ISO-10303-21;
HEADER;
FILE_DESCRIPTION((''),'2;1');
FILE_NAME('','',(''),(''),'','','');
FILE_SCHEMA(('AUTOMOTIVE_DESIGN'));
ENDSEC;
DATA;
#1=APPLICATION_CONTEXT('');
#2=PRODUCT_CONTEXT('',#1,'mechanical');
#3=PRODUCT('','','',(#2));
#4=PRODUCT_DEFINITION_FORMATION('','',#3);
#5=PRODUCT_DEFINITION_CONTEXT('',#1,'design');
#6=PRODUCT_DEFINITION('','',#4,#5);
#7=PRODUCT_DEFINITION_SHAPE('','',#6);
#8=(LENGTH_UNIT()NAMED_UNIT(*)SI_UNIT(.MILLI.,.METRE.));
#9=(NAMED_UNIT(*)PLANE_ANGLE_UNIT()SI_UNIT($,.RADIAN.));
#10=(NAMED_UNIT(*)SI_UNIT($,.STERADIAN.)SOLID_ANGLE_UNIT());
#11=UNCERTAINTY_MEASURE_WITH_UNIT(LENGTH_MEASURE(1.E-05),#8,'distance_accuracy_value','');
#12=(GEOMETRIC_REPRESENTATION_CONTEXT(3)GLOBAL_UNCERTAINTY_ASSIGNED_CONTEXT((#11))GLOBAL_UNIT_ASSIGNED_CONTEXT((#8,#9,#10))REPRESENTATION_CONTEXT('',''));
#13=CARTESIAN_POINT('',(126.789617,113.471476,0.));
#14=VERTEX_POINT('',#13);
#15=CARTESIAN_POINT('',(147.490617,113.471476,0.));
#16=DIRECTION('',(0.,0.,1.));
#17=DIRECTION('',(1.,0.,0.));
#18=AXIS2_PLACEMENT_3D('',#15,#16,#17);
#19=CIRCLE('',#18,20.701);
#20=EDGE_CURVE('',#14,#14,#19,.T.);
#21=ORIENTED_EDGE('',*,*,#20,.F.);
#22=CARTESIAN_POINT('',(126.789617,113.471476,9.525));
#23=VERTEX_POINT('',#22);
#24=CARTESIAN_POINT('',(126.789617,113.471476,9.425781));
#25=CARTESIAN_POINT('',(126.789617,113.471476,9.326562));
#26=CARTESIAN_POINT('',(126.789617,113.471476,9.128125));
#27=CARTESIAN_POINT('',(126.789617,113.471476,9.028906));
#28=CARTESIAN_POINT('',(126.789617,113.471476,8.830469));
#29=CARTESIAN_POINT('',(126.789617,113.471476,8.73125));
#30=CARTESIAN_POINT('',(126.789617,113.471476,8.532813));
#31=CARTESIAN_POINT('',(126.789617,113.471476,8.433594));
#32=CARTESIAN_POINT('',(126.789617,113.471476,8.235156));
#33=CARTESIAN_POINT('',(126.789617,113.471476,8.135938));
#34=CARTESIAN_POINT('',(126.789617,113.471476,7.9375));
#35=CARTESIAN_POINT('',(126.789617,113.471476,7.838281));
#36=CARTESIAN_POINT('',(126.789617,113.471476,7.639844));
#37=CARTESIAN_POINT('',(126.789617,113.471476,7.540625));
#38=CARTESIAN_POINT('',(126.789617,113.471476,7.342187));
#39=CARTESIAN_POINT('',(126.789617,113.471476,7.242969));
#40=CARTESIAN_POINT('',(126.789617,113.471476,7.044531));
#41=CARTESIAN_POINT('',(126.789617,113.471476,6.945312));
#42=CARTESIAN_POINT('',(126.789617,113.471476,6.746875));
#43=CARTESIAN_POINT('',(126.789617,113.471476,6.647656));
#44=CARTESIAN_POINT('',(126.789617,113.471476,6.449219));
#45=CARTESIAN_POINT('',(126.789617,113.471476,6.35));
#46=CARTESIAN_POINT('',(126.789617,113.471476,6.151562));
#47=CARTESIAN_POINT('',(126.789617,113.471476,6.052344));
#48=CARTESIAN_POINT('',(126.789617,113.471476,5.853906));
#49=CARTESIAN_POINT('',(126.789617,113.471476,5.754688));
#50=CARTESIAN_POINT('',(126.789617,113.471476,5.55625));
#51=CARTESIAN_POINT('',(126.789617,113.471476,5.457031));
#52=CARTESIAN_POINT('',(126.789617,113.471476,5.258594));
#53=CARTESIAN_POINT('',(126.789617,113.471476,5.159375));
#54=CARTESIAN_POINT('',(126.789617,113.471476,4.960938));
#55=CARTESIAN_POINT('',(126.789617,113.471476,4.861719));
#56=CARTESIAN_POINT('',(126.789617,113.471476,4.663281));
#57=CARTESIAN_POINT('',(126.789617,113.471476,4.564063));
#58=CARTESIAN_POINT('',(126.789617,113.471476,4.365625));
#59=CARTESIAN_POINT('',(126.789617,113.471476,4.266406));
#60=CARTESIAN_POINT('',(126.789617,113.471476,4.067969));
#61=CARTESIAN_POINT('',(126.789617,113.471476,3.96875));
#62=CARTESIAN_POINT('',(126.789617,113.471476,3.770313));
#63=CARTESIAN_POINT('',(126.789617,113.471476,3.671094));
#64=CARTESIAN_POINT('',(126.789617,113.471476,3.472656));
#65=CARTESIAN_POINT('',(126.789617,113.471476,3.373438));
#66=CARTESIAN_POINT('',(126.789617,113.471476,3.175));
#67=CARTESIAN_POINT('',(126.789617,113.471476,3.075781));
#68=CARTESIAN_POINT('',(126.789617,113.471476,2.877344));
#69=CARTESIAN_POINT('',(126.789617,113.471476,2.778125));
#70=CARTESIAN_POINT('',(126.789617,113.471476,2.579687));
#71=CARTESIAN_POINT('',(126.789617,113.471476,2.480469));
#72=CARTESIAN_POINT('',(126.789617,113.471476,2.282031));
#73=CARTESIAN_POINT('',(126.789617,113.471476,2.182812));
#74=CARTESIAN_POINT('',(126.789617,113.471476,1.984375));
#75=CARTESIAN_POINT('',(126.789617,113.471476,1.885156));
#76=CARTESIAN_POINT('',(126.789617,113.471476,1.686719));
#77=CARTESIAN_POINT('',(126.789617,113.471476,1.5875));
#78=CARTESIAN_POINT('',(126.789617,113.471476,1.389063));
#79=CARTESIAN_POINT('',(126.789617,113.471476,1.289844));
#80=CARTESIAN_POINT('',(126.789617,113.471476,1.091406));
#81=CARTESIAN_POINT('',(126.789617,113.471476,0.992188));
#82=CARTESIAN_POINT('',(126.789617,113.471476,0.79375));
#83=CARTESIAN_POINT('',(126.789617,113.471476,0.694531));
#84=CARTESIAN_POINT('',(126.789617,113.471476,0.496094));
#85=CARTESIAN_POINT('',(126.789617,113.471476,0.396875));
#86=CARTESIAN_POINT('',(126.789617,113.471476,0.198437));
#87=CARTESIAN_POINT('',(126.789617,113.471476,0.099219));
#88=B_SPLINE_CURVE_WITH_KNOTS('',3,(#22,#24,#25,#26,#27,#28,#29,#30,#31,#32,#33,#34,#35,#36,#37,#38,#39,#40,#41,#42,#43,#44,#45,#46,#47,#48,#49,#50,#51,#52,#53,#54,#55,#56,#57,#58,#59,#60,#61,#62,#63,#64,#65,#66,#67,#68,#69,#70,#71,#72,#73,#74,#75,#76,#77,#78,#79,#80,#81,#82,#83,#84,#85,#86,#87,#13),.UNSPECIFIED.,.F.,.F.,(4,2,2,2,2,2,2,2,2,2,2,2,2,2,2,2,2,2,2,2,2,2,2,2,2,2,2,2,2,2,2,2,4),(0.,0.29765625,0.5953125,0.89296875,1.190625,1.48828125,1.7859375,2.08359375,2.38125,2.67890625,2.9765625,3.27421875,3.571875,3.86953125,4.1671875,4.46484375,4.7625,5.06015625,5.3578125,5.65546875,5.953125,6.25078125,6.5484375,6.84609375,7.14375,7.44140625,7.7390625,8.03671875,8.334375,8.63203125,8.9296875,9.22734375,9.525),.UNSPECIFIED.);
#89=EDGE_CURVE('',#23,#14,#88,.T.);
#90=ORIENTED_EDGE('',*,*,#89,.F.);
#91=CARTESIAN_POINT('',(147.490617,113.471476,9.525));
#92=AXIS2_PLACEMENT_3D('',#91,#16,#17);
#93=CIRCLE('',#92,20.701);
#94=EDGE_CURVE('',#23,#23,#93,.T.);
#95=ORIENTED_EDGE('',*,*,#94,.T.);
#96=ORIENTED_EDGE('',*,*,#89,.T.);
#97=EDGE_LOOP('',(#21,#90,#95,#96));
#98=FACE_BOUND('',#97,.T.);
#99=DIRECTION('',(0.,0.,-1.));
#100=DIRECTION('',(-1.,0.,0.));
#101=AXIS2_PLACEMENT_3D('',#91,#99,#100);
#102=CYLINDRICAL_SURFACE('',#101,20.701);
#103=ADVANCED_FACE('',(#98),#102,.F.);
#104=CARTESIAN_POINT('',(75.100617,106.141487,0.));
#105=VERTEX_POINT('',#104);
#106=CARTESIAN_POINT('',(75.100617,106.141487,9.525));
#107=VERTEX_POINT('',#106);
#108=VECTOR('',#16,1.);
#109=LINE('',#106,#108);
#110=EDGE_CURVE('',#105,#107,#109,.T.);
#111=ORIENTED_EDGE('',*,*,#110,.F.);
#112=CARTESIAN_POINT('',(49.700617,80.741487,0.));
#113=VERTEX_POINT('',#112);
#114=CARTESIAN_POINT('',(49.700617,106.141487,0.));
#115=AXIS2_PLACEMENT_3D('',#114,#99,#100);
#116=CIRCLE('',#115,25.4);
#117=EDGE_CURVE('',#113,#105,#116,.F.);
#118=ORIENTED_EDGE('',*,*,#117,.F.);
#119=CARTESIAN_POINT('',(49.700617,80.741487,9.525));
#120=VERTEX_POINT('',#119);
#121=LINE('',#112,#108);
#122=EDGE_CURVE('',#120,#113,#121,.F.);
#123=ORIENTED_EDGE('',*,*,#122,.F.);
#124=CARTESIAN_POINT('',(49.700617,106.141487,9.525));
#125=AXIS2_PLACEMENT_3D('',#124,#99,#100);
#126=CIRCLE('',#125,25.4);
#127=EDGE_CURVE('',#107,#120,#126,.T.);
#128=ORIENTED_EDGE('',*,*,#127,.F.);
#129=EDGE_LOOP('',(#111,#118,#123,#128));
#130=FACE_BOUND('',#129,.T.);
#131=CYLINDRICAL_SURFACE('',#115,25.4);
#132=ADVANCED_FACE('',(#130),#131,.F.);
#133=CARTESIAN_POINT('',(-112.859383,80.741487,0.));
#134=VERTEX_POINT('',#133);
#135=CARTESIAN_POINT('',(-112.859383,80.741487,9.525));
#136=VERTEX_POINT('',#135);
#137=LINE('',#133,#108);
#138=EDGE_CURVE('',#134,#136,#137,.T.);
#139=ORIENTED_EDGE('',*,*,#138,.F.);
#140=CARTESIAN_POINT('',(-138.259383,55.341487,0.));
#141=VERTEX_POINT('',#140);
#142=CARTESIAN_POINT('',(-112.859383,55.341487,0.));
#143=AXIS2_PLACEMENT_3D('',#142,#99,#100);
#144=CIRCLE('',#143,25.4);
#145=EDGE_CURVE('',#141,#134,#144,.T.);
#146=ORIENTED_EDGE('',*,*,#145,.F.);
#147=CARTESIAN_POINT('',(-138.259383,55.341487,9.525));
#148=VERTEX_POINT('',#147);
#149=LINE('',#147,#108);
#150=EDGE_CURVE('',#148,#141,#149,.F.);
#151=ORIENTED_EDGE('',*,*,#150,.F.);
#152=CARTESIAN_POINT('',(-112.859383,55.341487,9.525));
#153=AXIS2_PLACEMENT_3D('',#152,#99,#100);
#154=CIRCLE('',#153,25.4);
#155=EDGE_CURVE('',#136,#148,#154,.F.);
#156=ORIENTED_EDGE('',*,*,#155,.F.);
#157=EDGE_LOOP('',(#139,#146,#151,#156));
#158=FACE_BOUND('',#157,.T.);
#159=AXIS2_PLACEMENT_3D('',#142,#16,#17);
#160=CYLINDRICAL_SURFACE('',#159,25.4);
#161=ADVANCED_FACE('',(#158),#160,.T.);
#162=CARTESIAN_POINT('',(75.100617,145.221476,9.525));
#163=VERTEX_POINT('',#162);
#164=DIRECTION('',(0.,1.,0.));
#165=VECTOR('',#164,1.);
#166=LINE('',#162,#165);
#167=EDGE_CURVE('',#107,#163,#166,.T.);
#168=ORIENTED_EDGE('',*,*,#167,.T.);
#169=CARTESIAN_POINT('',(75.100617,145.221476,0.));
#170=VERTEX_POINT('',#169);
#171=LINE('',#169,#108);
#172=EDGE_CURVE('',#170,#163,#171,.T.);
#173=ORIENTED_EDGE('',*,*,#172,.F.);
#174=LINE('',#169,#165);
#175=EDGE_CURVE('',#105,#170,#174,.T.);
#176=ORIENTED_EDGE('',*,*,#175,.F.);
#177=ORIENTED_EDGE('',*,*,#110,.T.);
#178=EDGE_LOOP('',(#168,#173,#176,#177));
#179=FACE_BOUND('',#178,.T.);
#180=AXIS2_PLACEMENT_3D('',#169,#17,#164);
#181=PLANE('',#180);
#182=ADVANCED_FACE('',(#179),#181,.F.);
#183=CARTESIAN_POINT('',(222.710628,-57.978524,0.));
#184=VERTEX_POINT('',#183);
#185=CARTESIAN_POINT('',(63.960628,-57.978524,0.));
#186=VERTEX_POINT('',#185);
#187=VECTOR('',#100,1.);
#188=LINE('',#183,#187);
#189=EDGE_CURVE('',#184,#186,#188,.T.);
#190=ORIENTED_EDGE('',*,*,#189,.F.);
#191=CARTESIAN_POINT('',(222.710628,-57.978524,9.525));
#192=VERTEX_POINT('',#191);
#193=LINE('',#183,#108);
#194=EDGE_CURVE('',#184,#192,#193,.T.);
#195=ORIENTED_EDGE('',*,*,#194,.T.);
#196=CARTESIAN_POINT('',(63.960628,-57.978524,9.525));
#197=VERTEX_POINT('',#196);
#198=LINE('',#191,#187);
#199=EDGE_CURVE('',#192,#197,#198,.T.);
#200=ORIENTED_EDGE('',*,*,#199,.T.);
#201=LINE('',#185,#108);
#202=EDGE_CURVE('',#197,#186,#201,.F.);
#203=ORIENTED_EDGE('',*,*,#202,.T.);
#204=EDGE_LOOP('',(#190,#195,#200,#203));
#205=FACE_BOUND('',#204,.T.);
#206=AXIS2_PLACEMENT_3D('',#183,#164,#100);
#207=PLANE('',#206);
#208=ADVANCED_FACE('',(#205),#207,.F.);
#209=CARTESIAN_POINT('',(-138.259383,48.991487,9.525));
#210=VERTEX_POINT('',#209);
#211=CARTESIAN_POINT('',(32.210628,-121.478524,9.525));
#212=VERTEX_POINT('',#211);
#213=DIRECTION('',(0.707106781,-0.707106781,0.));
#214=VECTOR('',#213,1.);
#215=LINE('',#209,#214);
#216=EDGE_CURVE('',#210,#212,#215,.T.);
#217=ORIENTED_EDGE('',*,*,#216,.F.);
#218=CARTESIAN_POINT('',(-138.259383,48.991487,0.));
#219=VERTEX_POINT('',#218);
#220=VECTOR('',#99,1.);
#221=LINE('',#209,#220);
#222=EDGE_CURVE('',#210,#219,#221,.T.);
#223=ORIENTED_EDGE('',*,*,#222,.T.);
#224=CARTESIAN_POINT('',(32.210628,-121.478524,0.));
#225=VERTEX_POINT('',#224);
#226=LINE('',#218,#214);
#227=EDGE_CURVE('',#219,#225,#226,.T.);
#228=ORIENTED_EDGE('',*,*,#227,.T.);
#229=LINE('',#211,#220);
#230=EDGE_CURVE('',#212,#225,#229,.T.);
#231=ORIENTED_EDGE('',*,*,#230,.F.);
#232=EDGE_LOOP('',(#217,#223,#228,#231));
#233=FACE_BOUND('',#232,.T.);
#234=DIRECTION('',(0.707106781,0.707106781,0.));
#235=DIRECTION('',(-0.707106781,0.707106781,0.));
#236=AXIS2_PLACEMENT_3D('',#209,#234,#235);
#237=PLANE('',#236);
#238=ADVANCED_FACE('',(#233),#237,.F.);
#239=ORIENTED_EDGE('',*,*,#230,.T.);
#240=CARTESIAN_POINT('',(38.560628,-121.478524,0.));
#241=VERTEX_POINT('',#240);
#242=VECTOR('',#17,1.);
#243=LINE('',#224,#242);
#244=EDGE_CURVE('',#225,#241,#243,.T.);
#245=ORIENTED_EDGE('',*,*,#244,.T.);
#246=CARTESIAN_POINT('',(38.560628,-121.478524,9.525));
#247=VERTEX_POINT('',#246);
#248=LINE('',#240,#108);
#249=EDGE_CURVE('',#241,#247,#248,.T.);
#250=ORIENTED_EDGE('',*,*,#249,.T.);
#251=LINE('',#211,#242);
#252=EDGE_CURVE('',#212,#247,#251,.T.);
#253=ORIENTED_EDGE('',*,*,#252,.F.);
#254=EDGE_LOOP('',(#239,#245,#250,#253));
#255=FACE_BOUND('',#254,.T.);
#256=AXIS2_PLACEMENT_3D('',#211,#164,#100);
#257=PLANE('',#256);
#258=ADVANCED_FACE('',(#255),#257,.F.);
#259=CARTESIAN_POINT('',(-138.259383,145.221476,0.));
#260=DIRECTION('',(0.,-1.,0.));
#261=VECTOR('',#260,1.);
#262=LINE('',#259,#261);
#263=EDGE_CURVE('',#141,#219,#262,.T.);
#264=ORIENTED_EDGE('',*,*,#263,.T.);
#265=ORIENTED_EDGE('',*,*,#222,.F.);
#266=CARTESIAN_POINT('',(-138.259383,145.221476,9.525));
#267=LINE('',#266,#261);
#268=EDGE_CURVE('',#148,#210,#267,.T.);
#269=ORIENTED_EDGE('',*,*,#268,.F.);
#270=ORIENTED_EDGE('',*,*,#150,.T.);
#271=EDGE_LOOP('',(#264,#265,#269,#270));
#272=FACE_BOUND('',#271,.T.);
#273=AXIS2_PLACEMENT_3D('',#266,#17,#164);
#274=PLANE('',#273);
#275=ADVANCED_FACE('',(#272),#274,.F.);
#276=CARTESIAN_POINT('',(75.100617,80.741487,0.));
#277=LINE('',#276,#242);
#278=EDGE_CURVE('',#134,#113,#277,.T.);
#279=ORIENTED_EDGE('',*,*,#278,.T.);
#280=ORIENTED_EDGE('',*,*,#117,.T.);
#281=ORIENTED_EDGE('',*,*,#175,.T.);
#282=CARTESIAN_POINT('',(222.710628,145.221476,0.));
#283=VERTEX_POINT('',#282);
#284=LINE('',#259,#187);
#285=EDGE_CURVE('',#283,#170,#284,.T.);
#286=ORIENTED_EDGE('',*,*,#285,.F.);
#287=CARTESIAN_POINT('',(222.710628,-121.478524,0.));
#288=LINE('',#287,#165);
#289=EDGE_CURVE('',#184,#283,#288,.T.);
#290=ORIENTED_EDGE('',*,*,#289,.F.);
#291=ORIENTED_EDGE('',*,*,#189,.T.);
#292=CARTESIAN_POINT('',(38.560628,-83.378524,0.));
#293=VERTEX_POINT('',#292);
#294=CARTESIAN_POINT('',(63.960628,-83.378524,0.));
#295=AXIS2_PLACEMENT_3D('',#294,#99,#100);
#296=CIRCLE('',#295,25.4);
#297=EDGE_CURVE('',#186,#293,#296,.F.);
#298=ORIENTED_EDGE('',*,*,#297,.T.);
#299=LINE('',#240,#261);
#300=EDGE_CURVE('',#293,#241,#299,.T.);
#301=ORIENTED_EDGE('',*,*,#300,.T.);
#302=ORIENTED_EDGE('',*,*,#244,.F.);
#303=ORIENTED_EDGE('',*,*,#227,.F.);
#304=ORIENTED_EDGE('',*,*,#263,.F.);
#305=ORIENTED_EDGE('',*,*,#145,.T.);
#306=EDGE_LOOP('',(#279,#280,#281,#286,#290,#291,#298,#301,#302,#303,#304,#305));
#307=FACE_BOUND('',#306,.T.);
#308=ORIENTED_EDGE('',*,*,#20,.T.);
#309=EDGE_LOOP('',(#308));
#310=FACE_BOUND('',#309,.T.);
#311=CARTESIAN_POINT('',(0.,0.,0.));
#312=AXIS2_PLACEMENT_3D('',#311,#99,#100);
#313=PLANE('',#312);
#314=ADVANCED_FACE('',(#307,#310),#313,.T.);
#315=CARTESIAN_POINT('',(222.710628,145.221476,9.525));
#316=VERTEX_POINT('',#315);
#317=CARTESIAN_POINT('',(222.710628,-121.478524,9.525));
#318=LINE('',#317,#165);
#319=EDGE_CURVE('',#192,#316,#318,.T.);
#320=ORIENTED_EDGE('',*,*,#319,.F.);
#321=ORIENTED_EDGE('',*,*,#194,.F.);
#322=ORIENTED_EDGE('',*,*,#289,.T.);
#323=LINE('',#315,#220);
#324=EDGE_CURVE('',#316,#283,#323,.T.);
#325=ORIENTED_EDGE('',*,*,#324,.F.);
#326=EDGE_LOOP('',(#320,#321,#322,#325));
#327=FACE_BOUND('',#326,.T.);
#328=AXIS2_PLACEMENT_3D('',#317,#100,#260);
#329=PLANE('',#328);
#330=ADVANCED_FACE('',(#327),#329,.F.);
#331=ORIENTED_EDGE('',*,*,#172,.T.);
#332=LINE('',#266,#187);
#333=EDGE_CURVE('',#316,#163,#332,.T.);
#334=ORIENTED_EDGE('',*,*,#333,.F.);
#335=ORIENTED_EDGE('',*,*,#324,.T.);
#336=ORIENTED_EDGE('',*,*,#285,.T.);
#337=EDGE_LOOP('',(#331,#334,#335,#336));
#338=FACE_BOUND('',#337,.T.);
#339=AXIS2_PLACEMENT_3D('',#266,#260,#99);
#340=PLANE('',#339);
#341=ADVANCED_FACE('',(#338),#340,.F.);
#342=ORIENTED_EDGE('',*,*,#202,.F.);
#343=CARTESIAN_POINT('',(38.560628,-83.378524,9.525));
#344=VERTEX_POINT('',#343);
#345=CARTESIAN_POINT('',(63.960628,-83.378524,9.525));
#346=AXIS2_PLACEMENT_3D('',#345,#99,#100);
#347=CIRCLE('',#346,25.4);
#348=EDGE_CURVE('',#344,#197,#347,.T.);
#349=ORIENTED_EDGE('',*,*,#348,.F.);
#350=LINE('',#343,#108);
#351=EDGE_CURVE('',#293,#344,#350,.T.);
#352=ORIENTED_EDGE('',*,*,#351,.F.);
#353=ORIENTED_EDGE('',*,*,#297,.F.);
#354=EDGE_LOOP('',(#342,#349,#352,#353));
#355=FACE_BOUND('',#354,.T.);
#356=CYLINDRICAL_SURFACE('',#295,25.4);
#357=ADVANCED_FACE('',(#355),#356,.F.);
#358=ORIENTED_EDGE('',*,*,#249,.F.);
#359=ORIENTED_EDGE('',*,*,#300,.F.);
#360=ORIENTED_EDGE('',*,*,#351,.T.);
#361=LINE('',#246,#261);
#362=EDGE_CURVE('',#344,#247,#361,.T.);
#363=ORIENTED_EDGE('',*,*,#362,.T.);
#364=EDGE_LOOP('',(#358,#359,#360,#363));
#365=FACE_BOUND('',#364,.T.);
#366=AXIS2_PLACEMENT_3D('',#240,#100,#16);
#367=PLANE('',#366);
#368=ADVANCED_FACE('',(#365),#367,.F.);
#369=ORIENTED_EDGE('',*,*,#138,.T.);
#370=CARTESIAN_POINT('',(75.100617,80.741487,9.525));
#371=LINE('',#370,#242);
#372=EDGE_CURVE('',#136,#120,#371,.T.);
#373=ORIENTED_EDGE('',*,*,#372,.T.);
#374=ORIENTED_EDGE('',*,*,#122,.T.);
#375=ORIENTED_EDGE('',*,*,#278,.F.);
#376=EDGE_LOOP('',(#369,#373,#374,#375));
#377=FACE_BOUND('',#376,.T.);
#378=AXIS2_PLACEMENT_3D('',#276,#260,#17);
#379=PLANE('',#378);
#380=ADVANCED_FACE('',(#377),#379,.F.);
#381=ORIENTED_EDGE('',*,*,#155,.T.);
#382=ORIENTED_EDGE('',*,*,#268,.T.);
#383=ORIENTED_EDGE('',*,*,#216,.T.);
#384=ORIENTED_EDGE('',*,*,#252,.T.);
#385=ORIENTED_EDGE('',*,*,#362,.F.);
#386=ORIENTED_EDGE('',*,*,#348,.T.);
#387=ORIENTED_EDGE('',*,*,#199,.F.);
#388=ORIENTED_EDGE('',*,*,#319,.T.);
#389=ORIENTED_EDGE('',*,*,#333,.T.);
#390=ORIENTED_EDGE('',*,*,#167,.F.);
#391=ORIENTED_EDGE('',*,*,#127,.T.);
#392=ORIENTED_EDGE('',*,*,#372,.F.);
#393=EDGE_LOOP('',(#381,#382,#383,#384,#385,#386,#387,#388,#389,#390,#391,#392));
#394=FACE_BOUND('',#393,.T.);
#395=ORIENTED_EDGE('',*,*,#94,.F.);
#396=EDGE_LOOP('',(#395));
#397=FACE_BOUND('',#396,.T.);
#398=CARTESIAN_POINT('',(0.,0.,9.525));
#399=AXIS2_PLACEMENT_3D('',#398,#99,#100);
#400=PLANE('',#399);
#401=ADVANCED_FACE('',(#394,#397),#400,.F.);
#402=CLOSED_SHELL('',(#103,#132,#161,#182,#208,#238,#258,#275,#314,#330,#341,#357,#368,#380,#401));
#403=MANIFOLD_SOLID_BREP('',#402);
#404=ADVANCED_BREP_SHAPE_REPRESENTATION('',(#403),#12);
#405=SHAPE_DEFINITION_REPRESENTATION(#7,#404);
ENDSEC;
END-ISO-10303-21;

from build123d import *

# Parameters (mm, degrees)
SKETCH1_R           = 20.701
BOSS_EXTRUDE1_DEPTH = 9.525
SKETCH2_W           = 184.15
SKETCH2_H           = 63.5
SKETCH2_W_2         = 213.36
SKETCH2_H_2         = 64.479988722
CUT_EXTRUDE1_DEPTH  = 267.045158533
FILLET1_R           = 25.4
FILLET2_R           = 25.4


with BuildPart() as part:
    # Sketch1 → Boss-Extrude1 (new body)
    with BuildSketch(Plane.XY):
        Polygon((-138.259383474, 48.991487021), (32.210627804, -121.478524257), (222.710627804, -121.478524257), (222.710627804, 145.221475743), (-138.259383474, 145.221475743), align=None)
        with Locations(Location((147.490616526, 113.471475743, 0), (0, 0, 180))):
            Circle(SKETCH1_R, mode=Mode.SUBTRACT)
    extrude(amount=BOSS_EXTRUDE1_DEPTH)

    # Sketch2 → Cut-Extrude1 (cut, through all)
    with BuildSketch(Plane.XY.offset(9.525)):
        with Locations((130.635627804, -89.728524257)):
            Rectangle(SKETCH2_W, SKETCH2_H)
        with Locations((-31.579383474, 112.981481382)):
            Rectangle(SKETCH2_W_2, SKETCH2_H_2)
    extrude(amount=-CUT_EXTRUDE1_DEPTH, mode=Mode.SUBTRACT)

    # Fillet1
    fillet1_edges = [part.edges().sort_by_distance(p)[0] for p in [
        (75.100616526, 80.741487021, 4.7625),
    ]]
    fillet(fillet1_edges, radius=FILLET1_R)

    # Fillet2
    fillet2_edges = [part.edges().sort_by_distance(p)[0] for p in [
        (38.560627804, -57.978524257, 4.7625),
        (-138.259383474, 80.741487021, 4.7625),
    ]]
    fillet(fillet2_edges, radius=FILLET2_R)


solid = part.part
